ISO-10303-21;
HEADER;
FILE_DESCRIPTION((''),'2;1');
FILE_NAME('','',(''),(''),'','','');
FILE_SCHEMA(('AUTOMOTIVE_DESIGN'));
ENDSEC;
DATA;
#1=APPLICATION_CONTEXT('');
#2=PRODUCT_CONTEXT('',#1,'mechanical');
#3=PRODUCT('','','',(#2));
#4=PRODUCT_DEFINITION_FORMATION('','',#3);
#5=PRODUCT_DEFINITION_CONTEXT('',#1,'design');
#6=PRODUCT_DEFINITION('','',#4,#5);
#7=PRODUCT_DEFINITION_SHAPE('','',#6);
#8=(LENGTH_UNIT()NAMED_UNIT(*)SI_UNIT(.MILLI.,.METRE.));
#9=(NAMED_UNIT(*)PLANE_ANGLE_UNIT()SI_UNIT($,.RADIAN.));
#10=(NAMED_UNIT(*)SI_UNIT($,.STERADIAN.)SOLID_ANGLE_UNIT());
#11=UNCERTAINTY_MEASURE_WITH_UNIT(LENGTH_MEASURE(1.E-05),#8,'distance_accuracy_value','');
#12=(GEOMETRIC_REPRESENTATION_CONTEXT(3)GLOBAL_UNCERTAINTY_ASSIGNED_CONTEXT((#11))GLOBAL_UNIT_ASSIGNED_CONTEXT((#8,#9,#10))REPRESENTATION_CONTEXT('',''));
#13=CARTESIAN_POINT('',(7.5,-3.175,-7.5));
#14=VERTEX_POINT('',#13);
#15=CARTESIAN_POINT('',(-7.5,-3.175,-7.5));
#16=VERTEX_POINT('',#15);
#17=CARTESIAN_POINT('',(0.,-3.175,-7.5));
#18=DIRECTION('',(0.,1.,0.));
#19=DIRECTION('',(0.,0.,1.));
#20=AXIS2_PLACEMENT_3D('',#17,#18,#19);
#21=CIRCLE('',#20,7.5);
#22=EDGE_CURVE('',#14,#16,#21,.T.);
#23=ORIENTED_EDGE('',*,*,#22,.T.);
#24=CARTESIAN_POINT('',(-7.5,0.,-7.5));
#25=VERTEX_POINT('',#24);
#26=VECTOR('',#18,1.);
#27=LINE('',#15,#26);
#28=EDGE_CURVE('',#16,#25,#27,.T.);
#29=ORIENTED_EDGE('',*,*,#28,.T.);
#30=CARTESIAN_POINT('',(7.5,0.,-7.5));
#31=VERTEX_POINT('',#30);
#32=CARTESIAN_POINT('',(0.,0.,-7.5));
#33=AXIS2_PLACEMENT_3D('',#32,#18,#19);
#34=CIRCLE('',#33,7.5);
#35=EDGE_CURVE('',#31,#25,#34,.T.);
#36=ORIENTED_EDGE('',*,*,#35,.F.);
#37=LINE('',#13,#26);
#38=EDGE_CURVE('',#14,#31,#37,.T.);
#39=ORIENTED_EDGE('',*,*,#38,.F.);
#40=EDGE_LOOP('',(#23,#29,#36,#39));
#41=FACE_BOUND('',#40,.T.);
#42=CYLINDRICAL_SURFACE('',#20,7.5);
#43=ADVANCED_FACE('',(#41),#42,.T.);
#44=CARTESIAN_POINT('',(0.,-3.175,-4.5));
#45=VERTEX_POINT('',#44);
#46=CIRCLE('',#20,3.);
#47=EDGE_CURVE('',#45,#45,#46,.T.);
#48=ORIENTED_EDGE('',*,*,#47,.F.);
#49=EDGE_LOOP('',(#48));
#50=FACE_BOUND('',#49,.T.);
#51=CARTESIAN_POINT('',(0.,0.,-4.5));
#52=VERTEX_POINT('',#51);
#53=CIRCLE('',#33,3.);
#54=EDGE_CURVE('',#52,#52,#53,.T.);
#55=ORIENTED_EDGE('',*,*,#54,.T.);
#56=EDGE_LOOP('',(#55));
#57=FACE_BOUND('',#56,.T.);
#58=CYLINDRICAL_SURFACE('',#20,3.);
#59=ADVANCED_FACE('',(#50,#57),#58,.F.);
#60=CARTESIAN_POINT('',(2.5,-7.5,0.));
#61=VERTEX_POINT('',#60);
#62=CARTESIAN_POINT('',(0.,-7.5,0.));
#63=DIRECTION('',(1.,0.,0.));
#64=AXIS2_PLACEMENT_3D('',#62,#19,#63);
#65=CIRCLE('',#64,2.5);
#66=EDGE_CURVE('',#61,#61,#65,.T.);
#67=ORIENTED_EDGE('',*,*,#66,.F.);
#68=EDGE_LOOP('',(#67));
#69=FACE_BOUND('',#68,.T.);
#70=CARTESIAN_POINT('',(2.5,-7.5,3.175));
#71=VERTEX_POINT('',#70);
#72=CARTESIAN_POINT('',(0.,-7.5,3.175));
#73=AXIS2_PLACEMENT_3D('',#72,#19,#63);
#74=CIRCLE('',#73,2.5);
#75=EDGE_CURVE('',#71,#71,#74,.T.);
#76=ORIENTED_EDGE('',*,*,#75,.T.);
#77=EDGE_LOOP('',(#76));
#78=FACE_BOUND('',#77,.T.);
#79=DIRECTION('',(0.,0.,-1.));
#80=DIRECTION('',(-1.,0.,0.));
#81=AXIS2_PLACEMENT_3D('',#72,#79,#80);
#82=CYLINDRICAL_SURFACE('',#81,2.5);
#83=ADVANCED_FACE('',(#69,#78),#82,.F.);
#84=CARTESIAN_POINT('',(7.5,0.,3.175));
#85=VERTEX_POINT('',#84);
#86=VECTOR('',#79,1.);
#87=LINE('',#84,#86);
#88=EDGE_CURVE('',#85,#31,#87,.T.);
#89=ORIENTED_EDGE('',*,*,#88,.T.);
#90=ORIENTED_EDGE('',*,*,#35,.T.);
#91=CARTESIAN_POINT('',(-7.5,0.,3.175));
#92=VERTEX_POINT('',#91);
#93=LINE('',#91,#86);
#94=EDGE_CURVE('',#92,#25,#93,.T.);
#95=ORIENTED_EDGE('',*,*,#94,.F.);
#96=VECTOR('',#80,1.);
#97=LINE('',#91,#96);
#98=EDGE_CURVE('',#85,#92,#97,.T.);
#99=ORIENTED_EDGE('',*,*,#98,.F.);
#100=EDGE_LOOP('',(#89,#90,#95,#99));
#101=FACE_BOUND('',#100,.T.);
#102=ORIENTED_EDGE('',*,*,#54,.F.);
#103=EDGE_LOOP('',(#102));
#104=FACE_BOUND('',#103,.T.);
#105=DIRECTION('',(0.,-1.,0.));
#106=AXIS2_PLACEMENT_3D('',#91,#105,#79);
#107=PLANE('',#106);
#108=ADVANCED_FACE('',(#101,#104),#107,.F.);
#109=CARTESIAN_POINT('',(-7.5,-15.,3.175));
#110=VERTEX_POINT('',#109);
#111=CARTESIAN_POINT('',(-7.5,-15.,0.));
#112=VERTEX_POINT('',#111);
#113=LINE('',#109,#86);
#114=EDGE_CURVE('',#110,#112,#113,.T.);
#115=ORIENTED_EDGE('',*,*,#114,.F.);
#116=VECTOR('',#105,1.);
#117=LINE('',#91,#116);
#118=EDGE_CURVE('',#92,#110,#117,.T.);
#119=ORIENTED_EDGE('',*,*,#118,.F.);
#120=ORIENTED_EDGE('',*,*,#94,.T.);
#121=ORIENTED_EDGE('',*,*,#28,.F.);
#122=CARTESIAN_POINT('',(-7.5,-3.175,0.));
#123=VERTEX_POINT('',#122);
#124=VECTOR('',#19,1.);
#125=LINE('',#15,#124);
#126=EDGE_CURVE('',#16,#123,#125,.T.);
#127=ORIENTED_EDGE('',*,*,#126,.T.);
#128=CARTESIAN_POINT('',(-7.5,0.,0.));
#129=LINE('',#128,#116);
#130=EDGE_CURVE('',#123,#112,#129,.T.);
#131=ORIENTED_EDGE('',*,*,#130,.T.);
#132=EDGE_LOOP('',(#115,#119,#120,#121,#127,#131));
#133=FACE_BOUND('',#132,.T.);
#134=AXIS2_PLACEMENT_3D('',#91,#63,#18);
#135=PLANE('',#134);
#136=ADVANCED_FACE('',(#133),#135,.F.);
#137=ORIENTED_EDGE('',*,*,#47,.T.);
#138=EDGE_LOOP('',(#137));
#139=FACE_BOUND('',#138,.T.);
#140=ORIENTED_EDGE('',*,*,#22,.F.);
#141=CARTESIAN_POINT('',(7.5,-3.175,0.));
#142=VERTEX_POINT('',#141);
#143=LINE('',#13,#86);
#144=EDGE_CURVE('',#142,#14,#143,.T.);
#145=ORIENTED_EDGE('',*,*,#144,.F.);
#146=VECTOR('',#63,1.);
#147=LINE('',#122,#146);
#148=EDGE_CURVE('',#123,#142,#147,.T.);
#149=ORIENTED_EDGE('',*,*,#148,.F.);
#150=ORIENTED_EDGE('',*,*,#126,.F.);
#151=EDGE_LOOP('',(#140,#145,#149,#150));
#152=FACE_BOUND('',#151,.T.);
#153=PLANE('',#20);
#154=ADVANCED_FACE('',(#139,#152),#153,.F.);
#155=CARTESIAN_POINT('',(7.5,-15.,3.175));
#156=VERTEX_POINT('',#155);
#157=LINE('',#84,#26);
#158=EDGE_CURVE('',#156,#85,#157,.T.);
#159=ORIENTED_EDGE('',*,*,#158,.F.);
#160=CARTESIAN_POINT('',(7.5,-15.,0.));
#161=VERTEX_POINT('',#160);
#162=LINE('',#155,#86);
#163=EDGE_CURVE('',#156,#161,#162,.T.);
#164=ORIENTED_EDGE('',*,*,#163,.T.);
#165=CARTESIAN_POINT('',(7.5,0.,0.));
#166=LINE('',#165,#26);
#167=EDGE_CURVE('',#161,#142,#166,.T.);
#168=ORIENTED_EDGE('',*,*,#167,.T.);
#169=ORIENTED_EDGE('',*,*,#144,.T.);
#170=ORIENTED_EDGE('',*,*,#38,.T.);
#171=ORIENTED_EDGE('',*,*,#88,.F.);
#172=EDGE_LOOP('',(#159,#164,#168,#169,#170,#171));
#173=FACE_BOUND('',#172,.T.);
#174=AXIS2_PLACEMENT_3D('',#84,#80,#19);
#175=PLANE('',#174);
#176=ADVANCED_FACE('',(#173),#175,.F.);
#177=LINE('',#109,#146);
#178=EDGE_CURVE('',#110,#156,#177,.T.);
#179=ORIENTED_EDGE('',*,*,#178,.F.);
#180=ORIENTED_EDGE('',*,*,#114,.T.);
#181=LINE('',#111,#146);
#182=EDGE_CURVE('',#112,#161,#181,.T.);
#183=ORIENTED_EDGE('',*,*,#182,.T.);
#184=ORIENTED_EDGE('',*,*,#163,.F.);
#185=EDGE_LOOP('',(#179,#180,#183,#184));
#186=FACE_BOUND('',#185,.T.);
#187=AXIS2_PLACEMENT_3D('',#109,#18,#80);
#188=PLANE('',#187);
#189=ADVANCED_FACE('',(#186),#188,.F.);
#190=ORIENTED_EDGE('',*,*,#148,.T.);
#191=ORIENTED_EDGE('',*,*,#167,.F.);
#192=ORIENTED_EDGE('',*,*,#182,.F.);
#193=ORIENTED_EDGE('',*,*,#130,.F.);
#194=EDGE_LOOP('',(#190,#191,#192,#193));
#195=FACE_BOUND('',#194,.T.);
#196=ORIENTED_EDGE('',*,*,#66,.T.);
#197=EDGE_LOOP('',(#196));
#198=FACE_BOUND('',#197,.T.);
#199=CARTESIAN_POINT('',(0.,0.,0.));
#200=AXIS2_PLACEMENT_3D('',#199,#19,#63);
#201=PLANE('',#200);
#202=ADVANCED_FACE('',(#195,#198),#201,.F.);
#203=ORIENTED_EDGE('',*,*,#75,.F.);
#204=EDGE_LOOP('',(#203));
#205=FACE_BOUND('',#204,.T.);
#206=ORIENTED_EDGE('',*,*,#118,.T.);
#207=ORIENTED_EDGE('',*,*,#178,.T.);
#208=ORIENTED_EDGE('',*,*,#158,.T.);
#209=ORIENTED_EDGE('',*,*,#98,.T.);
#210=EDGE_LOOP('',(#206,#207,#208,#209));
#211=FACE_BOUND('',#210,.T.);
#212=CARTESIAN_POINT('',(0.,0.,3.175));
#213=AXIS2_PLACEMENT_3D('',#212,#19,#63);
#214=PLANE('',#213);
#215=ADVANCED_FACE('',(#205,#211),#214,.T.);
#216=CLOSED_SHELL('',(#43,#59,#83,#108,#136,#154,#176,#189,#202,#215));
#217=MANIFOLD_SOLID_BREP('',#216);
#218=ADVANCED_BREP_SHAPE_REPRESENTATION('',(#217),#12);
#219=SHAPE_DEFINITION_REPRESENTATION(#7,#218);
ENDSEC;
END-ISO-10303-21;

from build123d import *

# Parameters (mm, degrees)
SKETCH1_W           = 15
SKETCH1_H           = 15
SKETCH1_R           = 2.5
BOSS_EXTRUDE1_DEPTH = 3.175
SKETCH2_R           = 3
BOSS_EXTRUDE2_DEPTH = 3.175


with BuildPart() as part:
    # Sketch1 → Boss-Extrude1 (new body)
    with BuildSketch(Plane.XY):
        with Locations((0, -7.5)):
            Rectangle(SKETCH1_W, SKETCH1_H)
        with Locations((0, -7.5)):
            Circle(SKETCH1_R, mode=Mode.SUBTRACT)
    extrude(amount=BOSS_EXTRUDE1_DEPTH)

    # Sketch2 → Boss-Extrude2 (add)
    with BuildSketch(Plane(origin=(0, 0, 0), x_dir=(1, 0, 0), z_dir=(0, 1, 0))):
        with BuildLine():
            Line((-7.5, 7.5), (-7.5, 0))
            Line((-7.5, 0), (7.5, 0))
            Line((7.5, 0), (7.5, 7.5))
            ThreePointArc((7.5, 7.5), (0, 15), (-7.5, 7.5))
        make_face()
        with Locations(Location((0, 7.5, 0), (0, 0, 270))):
            Circle(SKETCH2_R, mode=Mode.SUBTRACT)
    extrude(amount=-BOSS_EXTRUDE2_DEPTH)


solid = part.part
